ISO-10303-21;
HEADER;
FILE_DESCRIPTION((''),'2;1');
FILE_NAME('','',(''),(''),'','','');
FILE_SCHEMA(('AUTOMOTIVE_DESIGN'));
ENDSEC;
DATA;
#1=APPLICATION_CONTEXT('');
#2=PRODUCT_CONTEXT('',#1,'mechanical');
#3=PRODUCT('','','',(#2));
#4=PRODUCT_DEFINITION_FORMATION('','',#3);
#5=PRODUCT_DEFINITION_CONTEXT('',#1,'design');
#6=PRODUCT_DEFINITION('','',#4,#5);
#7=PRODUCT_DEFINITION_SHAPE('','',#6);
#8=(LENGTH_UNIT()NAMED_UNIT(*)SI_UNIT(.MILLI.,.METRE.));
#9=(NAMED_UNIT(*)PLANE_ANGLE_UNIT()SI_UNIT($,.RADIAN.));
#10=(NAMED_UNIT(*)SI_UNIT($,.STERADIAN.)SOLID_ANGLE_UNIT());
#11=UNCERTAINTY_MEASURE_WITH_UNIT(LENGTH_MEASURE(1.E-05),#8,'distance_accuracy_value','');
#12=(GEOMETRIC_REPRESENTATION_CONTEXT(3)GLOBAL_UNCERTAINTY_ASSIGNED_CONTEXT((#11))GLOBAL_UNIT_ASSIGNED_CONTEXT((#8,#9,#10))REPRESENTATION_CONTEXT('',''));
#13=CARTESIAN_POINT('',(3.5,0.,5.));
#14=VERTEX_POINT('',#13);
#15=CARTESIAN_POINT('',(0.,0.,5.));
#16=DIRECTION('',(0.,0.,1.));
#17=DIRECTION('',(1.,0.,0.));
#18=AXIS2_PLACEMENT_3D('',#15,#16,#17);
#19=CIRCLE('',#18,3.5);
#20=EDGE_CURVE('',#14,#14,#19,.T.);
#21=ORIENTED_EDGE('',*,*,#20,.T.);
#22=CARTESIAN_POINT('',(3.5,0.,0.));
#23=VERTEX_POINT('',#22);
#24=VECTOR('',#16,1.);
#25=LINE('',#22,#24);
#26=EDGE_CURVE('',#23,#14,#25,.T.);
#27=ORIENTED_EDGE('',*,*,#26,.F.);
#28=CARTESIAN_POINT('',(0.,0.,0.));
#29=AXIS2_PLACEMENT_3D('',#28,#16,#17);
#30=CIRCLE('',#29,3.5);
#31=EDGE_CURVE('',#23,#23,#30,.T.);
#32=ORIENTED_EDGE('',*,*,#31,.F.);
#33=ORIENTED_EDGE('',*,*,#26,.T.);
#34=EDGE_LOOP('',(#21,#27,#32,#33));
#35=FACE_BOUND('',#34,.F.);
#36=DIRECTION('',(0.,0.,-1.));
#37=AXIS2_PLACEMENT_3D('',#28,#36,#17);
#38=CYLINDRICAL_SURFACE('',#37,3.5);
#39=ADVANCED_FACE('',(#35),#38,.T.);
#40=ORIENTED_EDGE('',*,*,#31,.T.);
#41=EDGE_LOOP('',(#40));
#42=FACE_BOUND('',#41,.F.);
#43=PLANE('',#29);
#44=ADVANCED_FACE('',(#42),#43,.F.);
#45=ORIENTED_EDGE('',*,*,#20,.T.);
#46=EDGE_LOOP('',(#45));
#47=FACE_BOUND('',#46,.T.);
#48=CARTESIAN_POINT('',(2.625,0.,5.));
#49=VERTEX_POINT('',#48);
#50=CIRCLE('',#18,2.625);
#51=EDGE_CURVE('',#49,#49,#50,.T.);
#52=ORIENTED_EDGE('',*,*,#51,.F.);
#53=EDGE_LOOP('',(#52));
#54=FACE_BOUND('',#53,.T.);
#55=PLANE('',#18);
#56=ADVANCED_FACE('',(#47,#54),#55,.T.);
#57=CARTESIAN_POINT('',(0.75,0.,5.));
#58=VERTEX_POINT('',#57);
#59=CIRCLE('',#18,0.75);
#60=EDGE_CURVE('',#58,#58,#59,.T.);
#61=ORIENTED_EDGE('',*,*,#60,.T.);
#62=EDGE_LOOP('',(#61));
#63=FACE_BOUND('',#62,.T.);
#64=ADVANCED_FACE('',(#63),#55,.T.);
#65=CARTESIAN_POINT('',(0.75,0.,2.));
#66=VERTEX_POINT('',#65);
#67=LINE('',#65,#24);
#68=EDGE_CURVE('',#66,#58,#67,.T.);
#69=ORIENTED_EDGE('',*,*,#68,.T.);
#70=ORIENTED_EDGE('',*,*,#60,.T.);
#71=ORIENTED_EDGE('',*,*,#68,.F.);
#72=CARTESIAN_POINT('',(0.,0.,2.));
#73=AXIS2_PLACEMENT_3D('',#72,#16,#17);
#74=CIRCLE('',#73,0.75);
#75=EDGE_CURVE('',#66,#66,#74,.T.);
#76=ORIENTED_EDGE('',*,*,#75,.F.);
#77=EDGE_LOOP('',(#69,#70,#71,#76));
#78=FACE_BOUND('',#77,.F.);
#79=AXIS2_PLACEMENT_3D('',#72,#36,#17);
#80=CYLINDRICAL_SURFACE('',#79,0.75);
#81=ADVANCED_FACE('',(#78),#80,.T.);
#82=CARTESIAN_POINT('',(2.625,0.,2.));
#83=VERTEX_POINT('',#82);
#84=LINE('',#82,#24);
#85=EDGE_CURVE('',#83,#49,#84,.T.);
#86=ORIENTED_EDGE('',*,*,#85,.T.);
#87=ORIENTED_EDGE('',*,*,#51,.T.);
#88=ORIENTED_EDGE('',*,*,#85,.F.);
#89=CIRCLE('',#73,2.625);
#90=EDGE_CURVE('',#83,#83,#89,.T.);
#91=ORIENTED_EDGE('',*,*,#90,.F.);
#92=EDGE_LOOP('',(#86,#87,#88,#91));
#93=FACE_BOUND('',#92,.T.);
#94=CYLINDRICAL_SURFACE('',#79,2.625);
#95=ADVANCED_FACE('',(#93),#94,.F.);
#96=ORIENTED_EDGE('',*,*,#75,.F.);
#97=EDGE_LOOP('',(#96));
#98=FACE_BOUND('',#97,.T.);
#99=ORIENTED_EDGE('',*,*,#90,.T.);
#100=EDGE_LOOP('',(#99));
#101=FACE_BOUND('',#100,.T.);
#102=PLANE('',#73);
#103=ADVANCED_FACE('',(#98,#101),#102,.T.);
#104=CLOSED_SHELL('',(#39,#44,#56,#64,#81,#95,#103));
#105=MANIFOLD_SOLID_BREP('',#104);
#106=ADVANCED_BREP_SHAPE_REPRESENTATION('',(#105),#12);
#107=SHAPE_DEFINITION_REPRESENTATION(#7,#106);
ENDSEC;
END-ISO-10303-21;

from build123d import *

# Parameters (mm, degrees)
F0_R     = 3.5
F1_DEPTH = 5
F3_START = 2
F2_R     = 2.625
F2_R_2   = 0.75
F3_DEPTH = 3


with BuildPart() as f1:
    # F0 (on Top) → F1 (new body)
    with BuildSketch(Plane.XY):
        Circle(F0_R)
    extrude(amount=F1_DEPTH)

    # F2 (on Top) → F3 (cut)
    with BuildSketch(Plane.XY.offset(F3_START)):
        Circle(F2_R)
        Circle(F2_R_2, mode=Mode.SUBTRACT)
    extrude(amount=F3_DEPTH, mode=Mode.SUBTRACT)


solid = f1.part
